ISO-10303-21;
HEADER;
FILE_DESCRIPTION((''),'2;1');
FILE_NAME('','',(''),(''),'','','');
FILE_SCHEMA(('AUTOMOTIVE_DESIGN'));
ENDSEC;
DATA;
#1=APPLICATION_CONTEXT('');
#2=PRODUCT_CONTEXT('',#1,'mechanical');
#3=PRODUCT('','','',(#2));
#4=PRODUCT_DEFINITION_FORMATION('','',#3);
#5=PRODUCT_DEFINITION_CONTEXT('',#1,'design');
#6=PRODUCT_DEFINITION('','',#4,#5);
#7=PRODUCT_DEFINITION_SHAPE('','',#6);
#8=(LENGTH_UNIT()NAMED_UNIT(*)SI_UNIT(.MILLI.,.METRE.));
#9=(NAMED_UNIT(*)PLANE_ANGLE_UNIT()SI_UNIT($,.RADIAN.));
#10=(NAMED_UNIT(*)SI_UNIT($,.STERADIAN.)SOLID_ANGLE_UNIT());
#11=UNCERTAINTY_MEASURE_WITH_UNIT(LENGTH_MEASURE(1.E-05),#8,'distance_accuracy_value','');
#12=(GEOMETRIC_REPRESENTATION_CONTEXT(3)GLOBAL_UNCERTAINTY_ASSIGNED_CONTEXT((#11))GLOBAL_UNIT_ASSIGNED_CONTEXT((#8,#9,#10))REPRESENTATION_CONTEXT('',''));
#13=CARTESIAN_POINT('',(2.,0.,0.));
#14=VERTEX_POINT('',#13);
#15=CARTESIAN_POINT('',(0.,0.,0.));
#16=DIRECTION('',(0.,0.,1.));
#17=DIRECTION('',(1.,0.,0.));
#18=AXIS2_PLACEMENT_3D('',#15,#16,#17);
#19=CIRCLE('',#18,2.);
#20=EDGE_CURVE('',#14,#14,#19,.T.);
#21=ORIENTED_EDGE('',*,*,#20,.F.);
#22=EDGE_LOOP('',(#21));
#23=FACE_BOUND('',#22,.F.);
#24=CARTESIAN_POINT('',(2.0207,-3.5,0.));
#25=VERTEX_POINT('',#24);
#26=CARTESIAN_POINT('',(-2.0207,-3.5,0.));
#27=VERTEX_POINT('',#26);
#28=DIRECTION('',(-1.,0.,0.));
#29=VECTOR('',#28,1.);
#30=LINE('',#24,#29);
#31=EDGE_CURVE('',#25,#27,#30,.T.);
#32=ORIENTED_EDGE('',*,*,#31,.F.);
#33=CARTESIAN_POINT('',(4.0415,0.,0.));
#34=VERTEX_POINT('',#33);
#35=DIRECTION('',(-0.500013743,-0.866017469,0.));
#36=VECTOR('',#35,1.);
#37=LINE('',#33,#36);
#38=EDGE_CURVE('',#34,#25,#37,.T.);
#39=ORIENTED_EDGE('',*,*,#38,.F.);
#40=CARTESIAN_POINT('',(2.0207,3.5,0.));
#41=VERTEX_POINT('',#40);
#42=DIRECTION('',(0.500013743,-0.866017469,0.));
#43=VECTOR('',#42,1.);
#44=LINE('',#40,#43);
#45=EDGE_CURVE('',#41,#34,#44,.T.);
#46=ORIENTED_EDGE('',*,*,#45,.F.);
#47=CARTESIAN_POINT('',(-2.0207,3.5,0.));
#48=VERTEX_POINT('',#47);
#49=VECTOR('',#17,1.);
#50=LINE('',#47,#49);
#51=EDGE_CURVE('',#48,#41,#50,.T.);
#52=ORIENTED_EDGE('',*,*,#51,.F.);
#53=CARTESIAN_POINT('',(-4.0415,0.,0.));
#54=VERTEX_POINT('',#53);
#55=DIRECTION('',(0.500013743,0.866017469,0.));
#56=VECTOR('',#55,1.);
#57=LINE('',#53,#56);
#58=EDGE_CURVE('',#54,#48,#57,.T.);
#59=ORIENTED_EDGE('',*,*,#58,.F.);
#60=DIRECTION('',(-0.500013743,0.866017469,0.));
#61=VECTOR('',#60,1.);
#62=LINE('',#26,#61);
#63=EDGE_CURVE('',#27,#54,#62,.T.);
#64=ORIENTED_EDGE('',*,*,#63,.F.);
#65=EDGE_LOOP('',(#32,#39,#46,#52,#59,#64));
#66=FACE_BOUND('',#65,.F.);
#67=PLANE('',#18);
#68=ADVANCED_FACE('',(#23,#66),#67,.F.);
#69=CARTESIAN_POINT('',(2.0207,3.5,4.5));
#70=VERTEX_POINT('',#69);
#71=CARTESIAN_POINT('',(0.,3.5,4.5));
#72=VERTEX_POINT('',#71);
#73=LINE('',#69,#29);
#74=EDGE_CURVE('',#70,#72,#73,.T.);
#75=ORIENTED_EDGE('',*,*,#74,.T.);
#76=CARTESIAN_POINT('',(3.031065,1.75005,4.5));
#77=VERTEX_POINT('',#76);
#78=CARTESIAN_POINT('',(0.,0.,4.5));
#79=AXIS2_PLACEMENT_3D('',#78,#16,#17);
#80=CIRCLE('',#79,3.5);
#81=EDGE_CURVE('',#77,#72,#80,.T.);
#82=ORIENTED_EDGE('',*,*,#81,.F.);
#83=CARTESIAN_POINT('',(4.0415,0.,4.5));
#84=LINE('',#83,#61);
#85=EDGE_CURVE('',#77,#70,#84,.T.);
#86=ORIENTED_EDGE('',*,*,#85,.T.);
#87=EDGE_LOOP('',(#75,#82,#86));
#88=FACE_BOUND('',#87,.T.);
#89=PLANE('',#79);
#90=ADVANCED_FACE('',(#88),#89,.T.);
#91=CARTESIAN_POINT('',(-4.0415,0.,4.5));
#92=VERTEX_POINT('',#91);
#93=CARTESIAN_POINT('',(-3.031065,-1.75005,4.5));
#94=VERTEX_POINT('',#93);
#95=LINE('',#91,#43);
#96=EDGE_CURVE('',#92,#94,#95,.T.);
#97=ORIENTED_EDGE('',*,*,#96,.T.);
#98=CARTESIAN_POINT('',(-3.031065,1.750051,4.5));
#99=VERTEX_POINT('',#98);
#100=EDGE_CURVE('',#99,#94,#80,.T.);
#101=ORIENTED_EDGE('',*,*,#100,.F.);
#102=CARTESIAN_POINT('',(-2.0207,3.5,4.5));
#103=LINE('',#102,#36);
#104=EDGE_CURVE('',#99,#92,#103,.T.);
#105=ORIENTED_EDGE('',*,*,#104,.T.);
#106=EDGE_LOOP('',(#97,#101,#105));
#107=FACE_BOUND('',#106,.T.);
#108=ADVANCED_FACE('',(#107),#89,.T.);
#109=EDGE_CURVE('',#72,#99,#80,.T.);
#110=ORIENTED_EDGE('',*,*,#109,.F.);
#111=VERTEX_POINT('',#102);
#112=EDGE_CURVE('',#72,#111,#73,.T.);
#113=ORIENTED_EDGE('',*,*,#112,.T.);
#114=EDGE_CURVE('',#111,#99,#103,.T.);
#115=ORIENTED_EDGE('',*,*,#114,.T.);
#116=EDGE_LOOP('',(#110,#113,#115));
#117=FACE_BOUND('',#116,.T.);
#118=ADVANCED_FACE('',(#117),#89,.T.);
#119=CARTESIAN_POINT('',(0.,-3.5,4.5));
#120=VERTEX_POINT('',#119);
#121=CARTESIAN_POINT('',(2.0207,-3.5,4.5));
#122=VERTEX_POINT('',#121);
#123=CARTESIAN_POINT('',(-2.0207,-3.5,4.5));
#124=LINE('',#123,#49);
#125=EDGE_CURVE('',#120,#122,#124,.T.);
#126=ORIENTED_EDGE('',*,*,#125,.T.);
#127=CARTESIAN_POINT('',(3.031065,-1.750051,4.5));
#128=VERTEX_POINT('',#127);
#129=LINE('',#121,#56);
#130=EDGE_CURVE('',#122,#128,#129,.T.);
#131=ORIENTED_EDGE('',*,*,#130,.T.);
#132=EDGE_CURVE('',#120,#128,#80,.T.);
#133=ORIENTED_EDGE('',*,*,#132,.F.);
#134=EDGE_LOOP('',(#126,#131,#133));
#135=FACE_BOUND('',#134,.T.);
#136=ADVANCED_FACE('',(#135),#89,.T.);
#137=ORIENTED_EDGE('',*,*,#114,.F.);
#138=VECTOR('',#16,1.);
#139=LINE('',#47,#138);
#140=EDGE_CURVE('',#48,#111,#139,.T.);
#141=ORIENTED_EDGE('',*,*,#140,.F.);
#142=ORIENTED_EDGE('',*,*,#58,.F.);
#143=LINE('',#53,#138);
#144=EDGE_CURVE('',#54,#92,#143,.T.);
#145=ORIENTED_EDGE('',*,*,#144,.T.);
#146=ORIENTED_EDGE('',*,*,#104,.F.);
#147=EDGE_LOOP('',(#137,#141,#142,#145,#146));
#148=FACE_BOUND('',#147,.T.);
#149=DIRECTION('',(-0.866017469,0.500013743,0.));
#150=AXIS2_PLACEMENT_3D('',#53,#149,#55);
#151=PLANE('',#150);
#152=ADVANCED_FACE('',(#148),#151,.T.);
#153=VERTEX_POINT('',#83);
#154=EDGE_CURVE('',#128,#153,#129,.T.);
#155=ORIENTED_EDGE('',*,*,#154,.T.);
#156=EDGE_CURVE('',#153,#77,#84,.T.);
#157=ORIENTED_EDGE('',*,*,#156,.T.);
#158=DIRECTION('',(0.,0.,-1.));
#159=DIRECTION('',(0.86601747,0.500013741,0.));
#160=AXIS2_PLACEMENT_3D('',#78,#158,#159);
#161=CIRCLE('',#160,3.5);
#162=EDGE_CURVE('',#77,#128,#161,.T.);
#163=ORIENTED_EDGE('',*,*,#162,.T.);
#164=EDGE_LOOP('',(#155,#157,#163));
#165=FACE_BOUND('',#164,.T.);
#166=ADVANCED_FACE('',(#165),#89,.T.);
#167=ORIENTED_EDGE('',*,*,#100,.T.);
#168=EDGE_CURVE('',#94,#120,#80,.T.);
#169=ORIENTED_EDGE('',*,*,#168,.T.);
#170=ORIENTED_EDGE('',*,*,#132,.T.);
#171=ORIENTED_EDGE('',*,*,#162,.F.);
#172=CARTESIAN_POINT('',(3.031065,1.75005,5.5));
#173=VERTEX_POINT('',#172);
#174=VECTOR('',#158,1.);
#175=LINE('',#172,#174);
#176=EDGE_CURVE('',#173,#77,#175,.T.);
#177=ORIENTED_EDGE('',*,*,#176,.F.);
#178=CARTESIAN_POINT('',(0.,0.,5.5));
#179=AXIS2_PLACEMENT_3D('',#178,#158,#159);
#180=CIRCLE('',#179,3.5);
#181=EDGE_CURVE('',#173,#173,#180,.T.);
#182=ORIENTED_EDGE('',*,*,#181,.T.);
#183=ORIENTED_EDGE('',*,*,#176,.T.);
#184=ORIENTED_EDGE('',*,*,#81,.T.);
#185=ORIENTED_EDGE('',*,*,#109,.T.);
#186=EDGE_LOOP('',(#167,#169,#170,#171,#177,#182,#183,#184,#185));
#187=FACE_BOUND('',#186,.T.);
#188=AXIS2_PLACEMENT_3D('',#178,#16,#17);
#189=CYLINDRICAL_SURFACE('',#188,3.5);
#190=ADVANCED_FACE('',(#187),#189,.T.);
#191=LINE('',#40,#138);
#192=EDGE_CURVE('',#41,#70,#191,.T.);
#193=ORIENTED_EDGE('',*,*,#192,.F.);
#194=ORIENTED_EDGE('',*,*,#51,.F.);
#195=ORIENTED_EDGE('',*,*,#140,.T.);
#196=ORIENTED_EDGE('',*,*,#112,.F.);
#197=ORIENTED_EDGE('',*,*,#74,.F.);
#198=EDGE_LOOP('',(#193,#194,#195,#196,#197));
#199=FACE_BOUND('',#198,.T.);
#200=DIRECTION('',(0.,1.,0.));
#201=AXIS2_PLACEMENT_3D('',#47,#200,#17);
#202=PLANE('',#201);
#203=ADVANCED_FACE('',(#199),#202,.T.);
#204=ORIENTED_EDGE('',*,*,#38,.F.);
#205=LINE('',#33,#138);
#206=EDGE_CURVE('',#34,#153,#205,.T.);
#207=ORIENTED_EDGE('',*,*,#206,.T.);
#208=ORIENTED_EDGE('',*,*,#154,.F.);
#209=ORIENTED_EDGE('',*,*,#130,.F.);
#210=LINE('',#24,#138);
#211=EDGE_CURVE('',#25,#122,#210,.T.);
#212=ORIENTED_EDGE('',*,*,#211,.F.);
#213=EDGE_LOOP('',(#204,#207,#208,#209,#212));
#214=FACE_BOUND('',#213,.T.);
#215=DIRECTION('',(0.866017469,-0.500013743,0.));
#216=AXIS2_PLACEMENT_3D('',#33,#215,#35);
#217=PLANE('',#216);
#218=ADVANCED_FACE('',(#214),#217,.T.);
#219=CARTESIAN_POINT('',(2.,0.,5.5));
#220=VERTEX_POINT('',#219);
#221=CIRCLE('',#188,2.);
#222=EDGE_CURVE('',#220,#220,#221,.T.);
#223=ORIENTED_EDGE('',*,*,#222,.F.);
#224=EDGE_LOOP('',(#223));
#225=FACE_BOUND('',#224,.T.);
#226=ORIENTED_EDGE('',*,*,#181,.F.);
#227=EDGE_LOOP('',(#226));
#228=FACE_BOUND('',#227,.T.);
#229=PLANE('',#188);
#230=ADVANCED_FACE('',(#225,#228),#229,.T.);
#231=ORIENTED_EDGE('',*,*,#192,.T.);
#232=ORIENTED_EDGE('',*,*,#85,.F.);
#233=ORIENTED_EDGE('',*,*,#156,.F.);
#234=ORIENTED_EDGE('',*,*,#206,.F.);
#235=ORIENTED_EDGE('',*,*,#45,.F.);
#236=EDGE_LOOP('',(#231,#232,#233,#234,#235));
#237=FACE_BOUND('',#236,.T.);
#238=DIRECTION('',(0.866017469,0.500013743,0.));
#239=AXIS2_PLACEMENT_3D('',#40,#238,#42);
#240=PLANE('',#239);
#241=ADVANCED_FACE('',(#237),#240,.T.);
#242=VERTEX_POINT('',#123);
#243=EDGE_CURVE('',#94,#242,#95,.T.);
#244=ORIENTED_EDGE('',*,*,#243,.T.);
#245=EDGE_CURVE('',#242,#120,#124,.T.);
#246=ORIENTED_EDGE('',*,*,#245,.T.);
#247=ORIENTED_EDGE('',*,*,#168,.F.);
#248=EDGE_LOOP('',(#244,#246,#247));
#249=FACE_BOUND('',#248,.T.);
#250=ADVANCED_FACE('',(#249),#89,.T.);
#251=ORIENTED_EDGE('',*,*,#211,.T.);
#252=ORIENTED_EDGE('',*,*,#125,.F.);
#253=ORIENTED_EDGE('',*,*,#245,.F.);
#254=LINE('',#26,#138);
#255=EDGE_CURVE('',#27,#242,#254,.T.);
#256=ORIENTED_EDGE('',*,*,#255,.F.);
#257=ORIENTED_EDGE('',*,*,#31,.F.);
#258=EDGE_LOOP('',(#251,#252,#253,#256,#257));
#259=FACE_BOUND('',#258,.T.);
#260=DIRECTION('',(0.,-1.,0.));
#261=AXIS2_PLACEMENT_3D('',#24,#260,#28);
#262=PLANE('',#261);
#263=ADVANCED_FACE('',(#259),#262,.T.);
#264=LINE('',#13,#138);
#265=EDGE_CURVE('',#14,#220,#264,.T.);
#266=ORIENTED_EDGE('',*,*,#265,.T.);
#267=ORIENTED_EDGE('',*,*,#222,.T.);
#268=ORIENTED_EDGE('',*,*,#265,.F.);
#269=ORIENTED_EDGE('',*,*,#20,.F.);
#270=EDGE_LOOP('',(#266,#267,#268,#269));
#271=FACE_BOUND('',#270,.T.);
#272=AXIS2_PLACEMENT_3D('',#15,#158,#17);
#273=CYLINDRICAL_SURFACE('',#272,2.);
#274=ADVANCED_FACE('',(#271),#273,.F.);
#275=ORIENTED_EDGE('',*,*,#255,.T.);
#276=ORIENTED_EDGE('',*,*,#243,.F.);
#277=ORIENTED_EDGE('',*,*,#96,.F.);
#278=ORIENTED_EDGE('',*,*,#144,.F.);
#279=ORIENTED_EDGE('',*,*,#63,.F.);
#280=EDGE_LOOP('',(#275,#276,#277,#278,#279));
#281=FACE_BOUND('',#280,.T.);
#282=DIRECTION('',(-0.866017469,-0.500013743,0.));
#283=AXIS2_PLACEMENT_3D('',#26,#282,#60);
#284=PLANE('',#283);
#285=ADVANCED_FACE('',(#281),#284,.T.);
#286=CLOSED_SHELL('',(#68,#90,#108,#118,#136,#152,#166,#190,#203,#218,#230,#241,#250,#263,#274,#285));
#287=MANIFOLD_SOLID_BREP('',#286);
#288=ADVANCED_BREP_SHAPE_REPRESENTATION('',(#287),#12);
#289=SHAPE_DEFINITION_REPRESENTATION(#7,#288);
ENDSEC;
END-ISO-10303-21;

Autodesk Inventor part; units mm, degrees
ref_plane "YZ Plane" through (0, 0, 0) normal (1, 0, 0) x (0, 1, 0)
ref_plane "XZ Plane" through (0, 0, 0) normal (0, 1, 0) x (-1, 0, 0)
ref_plane "XY Plane" through (0, 0, 0) normal (0, 0, 1) x (1, 0, 0)
sketch "スケッチ1" plane through (0, 0, 0) normal (0, 0, 1) x (1, 0, 0)
  line L0 (-2.0207, 3.5) -> (2.0207, 3.5)
  line L1 (2.0207, 3.5) -> (4.0415, 0)
  line L2 (4.0415, 0) -> (2.0207, -3.5)
  line L3 (2.0207, -3.5) -> (-2.0207, -3.5)
  line L4 (-2.0207, -3.5) -> (-4.0415, 0)
  line L5 (-4.0415, 0) -> (-2.0207, 3.5)
  circle A0 centre (0, 0) radius 2
  dimension "d0" = 7
  dimension "d1" = 4
extrude "押し出し1" add sketch "スケッチ1" along normal blind 5.5
sketch "スケッチ2" plane through (0, 0, 5.5) normal (0, 0, 1) x (1, 0, 0)
  line L0 (2.0207, 3.5) -> (-2.0207, 3.5) projected
  line L1 (-2.0207, 3.5) -> (-4.0415, 0) projected
  line L2 (-4.0415, 0) -> (-2.0207, -3.5) projected
  line L3 (-2.0207, -3.5) -> (2.0207, -3.5) projected
  line L4 (2.0207, -3.5) -> (4.0415, 0) projected
  line L5 (4.0415, 0) -> (2.0207, 3.5) projected
  circle A0 centre (0, 0) radius 3.5
extrude "押し出し2" cut sketch "スケッチ2" against normal blind 1 contours L5 A0 L0 | A0 L1 L0 | L5 L4 A0 | A0 L2 L1 | A0 L3 L2 | L4 L3 A0
properties part number "ナイロンナットm4" material "鋼、高強度、低合金"
